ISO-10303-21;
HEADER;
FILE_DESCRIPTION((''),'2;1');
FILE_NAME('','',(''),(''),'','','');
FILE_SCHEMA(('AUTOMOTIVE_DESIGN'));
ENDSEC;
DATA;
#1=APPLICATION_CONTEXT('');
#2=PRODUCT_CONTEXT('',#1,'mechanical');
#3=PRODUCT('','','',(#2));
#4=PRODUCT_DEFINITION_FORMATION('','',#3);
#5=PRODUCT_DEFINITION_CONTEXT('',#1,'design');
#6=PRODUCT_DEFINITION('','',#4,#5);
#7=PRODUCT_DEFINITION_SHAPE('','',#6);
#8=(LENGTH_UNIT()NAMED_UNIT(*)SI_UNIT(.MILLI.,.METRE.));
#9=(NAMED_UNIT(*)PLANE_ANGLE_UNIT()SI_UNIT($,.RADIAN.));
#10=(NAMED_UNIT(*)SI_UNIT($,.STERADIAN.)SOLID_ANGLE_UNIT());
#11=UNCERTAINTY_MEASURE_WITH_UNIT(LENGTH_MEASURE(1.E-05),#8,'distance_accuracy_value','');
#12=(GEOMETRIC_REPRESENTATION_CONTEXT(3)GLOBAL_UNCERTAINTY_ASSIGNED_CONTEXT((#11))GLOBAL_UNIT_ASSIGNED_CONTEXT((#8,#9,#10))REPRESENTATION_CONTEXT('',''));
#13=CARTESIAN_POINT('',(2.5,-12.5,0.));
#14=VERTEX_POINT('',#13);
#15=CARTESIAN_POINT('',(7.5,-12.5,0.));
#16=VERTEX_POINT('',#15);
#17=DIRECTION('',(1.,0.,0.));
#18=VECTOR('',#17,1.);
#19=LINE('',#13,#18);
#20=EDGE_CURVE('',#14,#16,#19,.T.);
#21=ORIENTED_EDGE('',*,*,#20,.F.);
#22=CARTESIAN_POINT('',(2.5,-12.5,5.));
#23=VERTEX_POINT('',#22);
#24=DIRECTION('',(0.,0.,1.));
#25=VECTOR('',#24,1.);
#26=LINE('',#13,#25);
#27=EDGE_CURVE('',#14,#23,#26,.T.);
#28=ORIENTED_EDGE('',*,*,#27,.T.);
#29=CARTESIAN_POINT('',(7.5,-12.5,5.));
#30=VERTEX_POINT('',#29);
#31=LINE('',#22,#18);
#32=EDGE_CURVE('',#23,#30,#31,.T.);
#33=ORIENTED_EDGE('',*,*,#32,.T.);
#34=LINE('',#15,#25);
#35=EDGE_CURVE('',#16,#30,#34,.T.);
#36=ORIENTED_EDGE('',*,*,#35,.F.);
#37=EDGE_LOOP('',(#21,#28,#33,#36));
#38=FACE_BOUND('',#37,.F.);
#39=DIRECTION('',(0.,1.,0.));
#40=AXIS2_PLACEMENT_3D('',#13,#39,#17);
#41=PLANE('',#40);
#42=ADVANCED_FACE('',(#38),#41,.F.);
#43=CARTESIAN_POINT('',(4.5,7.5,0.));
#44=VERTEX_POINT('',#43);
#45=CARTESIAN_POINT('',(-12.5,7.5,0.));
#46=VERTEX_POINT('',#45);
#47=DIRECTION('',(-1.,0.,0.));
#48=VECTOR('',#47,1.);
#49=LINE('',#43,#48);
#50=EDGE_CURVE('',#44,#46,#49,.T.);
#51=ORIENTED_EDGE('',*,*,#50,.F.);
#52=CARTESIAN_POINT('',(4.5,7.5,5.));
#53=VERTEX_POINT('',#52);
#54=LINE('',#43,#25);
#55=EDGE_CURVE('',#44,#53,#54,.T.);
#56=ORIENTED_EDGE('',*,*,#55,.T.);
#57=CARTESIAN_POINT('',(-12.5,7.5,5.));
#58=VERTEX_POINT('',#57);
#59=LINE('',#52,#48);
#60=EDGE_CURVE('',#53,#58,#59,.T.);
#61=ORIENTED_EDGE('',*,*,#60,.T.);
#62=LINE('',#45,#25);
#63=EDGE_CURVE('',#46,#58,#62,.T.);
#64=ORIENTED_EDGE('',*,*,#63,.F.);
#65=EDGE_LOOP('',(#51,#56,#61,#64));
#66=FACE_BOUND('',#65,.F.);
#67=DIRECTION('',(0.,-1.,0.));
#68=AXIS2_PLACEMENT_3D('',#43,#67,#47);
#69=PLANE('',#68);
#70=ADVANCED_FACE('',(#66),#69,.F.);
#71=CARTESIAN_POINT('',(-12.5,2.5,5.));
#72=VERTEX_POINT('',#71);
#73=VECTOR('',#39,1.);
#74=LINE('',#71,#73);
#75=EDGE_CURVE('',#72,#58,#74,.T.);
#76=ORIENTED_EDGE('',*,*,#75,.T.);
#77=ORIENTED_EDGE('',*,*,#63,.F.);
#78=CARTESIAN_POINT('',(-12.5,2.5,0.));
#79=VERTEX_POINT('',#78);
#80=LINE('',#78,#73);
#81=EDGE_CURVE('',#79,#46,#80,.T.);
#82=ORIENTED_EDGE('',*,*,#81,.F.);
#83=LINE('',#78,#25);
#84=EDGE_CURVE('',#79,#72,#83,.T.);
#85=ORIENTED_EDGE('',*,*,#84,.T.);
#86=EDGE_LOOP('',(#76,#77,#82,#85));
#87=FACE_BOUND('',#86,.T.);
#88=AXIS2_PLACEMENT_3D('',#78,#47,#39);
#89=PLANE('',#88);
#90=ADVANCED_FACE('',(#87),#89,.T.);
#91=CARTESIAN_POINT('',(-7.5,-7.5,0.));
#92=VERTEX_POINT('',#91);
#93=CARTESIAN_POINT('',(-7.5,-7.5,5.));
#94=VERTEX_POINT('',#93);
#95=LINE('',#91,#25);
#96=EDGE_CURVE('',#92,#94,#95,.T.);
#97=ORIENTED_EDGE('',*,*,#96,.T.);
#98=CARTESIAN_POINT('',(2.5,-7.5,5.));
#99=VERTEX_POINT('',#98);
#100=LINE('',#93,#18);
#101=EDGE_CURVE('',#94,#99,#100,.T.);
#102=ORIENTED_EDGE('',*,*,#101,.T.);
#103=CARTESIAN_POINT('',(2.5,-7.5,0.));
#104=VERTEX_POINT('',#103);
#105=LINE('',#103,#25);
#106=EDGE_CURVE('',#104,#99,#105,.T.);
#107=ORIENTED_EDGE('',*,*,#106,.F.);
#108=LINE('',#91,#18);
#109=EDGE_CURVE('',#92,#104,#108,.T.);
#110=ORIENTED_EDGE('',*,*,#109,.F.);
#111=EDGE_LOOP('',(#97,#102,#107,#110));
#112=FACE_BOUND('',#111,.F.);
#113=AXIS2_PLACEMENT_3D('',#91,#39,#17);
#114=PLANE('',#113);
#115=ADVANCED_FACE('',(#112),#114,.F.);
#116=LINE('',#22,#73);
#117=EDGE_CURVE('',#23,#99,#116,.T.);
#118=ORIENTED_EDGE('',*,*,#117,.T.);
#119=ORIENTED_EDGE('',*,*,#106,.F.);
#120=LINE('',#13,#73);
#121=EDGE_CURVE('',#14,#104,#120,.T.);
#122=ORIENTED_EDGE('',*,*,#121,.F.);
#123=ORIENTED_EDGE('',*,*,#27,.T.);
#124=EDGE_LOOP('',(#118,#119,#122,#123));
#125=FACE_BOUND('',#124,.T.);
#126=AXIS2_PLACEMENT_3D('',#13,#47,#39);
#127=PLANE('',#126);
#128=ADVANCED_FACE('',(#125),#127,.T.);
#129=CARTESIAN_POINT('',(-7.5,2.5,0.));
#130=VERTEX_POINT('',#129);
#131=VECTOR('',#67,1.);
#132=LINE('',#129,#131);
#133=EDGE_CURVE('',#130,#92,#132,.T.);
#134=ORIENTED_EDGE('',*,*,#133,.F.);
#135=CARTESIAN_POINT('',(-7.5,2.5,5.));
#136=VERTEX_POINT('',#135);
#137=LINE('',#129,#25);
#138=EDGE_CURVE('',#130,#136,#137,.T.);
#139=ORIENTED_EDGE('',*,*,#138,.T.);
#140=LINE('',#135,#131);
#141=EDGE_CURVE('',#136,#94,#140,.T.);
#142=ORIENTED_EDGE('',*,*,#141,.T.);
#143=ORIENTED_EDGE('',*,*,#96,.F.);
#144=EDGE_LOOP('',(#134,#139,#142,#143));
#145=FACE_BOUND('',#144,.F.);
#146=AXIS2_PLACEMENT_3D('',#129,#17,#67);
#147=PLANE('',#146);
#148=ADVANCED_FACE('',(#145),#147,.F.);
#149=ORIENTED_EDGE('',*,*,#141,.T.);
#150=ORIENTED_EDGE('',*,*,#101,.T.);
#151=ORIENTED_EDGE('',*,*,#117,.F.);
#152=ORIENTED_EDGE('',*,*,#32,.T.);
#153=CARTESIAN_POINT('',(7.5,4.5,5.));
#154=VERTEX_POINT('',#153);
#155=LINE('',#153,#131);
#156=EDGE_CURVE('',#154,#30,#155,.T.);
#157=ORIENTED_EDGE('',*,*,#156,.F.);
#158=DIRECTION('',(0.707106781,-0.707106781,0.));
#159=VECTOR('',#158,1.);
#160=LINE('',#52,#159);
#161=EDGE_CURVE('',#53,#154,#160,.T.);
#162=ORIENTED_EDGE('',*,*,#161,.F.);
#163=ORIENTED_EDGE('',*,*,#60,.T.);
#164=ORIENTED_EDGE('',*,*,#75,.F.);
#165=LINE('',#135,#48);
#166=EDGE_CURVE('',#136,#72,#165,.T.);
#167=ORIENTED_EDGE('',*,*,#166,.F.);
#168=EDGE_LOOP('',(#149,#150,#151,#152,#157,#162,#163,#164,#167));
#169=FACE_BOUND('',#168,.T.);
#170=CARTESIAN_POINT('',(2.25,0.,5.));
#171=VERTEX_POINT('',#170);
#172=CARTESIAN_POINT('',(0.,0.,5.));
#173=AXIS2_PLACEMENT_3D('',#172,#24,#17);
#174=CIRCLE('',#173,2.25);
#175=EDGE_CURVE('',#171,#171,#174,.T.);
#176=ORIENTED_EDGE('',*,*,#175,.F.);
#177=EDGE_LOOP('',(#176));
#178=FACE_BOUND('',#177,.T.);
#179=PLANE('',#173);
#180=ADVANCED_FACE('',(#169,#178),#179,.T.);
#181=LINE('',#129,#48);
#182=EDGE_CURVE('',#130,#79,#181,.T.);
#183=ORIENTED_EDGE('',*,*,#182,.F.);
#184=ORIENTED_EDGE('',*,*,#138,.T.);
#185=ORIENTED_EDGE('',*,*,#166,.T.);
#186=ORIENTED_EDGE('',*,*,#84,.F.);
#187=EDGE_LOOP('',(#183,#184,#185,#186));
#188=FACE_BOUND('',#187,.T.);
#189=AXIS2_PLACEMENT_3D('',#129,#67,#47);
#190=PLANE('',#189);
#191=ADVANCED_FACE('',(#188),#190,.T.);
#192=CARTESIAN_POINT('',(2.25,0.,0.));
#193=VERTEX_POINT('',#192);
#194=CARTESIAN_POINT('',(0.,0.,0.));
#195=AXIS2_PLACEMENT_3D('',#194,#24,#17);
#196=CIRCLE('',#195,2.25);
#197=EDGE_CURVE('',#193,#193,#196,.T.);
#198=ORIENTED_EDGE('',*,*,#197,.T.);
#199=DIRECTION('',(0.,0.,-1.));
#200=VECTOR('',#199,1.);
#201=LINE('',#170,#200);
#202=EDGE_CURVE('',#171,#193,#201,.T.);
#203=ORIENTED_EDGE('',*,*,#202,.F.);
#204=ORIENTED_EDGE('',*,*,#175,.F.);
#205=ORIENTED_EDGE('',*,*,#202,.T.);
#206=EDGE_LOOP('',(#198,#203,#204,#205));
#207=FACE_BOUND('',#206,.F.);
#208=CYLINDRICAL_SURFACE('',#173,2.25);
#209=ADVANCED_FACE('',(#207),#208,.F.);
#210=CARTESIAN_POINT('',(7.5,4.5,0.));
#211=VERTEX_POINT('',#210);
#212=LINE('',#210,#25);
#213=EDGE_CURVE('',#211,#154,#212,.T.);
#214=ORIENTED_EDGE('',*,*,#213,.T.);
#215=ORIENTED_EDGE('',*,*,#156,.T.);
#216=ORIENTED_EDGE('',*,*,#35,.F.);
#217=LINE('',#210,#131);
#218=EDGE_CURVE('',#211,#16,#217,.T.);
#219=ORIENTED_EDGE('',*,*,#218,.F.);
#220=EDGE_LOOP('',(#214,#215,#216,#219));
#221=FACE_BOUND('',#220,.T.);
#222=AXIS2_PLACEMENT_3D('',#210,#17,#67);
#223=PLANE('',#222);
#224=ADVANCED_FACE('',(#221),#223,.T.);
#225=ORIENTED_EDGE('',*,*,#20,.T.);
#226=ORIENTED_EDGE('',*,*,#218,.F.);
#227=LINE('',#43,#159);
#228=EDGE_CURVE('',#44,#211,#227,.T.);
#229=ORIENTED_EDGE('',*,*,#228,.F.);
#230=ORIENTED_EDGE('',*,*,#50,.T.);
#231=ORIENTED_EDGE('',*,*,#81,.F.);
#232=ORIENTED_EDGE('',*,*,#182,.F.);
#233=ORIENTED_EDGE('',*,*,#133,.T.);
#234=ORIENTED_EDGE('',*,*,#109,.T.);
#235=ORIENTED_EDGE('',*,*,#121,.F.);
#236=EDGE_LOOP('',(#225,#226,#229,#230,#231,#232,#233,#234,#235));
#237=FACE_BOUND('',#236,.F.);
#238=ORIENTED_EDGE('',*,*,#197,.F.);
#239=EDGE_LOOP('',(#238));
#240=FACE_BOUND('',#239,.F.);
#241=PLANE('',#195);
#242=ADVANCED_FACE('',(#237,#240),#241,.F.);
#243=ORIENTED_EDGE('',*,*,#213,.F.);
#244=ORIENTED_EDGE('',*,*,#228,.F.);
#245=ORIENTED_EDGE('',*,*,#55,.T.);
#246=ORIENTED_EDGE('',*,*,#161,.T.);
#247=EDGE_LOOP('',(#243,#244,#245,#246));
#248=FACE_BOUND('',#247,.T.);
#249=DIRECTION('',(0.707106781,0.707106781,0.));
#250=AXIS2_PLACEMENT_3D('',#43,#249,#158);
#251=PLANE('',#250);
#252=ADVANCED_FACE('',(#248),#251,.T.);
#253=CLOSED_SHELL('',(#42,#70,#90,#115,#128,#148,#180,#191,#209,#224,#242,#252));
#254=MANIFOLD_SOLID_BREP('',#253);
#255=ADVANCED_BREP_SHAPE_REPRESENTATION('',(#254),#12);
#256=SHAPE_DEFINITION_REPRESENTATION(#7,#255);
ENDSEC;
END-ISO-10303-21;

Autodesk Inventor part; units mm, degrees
sketch "Sketch1" plane through (0, 0, 0) normal (0, 0, 1) x (1, 0, 0)
  line L0 (-5.7775, 0) -> (5.7775, 0) construction
  line L1 (4.5, 7.5) -> (-12.5, 7.5)
  line L2 (-12.5, 7.5) -> (4.5, 7.5)
  line L3 (4.5, 7.5) -> (7.5, 4.5)
  line L4 (4.5, 7.5) -> (7.5, 4.5)
  line L5 (7.5, 4.5) -> (7.5, -12.5)
  line L6 (7.5, 4.5) -> (7.5, -12.5)
  line L7 (2.5, -12.5) -> (7.5, -12.5)
  line L8 (7.5, -12.5) -> (2.5, -12.5)
  line L9 (-7.5, -7.5) -> (2.5, -7.5)
  line L10 (2.5, -12.5) -> (2.5, -7.5)
  line L11 (2.5, -7.5) -> (-7.5, -7.5)
  line L12 (-7.5, 2.5) -> (-7.5, -7.5)
  line L13 (-7.5, -7.5) -> (-7.5, 2.5)
  line L14 (-7.5, 2.5) -> (-12.5, 2.5)
  line L15 (-7.5, 2.5) -> (-12.5, 2.5)
  line L16 (-12.5, 2.5) -> (-12.5, 7.5)
extrude "Extrusion1" add sketch "Sketch1" along normal blind 5
sketch "Sketch2" plane through (0, 0, 5) normal (0, 0, 1) x (1, 0, 0)
  circle A0 centre (0, 0) radius 2.25
  dimension "d2" = 4.5
extrude "Extrusion2" cut sketch "Sketch2" against normal blind 5
properties part number "bevestiging deksel zonder moer" material "S235"
